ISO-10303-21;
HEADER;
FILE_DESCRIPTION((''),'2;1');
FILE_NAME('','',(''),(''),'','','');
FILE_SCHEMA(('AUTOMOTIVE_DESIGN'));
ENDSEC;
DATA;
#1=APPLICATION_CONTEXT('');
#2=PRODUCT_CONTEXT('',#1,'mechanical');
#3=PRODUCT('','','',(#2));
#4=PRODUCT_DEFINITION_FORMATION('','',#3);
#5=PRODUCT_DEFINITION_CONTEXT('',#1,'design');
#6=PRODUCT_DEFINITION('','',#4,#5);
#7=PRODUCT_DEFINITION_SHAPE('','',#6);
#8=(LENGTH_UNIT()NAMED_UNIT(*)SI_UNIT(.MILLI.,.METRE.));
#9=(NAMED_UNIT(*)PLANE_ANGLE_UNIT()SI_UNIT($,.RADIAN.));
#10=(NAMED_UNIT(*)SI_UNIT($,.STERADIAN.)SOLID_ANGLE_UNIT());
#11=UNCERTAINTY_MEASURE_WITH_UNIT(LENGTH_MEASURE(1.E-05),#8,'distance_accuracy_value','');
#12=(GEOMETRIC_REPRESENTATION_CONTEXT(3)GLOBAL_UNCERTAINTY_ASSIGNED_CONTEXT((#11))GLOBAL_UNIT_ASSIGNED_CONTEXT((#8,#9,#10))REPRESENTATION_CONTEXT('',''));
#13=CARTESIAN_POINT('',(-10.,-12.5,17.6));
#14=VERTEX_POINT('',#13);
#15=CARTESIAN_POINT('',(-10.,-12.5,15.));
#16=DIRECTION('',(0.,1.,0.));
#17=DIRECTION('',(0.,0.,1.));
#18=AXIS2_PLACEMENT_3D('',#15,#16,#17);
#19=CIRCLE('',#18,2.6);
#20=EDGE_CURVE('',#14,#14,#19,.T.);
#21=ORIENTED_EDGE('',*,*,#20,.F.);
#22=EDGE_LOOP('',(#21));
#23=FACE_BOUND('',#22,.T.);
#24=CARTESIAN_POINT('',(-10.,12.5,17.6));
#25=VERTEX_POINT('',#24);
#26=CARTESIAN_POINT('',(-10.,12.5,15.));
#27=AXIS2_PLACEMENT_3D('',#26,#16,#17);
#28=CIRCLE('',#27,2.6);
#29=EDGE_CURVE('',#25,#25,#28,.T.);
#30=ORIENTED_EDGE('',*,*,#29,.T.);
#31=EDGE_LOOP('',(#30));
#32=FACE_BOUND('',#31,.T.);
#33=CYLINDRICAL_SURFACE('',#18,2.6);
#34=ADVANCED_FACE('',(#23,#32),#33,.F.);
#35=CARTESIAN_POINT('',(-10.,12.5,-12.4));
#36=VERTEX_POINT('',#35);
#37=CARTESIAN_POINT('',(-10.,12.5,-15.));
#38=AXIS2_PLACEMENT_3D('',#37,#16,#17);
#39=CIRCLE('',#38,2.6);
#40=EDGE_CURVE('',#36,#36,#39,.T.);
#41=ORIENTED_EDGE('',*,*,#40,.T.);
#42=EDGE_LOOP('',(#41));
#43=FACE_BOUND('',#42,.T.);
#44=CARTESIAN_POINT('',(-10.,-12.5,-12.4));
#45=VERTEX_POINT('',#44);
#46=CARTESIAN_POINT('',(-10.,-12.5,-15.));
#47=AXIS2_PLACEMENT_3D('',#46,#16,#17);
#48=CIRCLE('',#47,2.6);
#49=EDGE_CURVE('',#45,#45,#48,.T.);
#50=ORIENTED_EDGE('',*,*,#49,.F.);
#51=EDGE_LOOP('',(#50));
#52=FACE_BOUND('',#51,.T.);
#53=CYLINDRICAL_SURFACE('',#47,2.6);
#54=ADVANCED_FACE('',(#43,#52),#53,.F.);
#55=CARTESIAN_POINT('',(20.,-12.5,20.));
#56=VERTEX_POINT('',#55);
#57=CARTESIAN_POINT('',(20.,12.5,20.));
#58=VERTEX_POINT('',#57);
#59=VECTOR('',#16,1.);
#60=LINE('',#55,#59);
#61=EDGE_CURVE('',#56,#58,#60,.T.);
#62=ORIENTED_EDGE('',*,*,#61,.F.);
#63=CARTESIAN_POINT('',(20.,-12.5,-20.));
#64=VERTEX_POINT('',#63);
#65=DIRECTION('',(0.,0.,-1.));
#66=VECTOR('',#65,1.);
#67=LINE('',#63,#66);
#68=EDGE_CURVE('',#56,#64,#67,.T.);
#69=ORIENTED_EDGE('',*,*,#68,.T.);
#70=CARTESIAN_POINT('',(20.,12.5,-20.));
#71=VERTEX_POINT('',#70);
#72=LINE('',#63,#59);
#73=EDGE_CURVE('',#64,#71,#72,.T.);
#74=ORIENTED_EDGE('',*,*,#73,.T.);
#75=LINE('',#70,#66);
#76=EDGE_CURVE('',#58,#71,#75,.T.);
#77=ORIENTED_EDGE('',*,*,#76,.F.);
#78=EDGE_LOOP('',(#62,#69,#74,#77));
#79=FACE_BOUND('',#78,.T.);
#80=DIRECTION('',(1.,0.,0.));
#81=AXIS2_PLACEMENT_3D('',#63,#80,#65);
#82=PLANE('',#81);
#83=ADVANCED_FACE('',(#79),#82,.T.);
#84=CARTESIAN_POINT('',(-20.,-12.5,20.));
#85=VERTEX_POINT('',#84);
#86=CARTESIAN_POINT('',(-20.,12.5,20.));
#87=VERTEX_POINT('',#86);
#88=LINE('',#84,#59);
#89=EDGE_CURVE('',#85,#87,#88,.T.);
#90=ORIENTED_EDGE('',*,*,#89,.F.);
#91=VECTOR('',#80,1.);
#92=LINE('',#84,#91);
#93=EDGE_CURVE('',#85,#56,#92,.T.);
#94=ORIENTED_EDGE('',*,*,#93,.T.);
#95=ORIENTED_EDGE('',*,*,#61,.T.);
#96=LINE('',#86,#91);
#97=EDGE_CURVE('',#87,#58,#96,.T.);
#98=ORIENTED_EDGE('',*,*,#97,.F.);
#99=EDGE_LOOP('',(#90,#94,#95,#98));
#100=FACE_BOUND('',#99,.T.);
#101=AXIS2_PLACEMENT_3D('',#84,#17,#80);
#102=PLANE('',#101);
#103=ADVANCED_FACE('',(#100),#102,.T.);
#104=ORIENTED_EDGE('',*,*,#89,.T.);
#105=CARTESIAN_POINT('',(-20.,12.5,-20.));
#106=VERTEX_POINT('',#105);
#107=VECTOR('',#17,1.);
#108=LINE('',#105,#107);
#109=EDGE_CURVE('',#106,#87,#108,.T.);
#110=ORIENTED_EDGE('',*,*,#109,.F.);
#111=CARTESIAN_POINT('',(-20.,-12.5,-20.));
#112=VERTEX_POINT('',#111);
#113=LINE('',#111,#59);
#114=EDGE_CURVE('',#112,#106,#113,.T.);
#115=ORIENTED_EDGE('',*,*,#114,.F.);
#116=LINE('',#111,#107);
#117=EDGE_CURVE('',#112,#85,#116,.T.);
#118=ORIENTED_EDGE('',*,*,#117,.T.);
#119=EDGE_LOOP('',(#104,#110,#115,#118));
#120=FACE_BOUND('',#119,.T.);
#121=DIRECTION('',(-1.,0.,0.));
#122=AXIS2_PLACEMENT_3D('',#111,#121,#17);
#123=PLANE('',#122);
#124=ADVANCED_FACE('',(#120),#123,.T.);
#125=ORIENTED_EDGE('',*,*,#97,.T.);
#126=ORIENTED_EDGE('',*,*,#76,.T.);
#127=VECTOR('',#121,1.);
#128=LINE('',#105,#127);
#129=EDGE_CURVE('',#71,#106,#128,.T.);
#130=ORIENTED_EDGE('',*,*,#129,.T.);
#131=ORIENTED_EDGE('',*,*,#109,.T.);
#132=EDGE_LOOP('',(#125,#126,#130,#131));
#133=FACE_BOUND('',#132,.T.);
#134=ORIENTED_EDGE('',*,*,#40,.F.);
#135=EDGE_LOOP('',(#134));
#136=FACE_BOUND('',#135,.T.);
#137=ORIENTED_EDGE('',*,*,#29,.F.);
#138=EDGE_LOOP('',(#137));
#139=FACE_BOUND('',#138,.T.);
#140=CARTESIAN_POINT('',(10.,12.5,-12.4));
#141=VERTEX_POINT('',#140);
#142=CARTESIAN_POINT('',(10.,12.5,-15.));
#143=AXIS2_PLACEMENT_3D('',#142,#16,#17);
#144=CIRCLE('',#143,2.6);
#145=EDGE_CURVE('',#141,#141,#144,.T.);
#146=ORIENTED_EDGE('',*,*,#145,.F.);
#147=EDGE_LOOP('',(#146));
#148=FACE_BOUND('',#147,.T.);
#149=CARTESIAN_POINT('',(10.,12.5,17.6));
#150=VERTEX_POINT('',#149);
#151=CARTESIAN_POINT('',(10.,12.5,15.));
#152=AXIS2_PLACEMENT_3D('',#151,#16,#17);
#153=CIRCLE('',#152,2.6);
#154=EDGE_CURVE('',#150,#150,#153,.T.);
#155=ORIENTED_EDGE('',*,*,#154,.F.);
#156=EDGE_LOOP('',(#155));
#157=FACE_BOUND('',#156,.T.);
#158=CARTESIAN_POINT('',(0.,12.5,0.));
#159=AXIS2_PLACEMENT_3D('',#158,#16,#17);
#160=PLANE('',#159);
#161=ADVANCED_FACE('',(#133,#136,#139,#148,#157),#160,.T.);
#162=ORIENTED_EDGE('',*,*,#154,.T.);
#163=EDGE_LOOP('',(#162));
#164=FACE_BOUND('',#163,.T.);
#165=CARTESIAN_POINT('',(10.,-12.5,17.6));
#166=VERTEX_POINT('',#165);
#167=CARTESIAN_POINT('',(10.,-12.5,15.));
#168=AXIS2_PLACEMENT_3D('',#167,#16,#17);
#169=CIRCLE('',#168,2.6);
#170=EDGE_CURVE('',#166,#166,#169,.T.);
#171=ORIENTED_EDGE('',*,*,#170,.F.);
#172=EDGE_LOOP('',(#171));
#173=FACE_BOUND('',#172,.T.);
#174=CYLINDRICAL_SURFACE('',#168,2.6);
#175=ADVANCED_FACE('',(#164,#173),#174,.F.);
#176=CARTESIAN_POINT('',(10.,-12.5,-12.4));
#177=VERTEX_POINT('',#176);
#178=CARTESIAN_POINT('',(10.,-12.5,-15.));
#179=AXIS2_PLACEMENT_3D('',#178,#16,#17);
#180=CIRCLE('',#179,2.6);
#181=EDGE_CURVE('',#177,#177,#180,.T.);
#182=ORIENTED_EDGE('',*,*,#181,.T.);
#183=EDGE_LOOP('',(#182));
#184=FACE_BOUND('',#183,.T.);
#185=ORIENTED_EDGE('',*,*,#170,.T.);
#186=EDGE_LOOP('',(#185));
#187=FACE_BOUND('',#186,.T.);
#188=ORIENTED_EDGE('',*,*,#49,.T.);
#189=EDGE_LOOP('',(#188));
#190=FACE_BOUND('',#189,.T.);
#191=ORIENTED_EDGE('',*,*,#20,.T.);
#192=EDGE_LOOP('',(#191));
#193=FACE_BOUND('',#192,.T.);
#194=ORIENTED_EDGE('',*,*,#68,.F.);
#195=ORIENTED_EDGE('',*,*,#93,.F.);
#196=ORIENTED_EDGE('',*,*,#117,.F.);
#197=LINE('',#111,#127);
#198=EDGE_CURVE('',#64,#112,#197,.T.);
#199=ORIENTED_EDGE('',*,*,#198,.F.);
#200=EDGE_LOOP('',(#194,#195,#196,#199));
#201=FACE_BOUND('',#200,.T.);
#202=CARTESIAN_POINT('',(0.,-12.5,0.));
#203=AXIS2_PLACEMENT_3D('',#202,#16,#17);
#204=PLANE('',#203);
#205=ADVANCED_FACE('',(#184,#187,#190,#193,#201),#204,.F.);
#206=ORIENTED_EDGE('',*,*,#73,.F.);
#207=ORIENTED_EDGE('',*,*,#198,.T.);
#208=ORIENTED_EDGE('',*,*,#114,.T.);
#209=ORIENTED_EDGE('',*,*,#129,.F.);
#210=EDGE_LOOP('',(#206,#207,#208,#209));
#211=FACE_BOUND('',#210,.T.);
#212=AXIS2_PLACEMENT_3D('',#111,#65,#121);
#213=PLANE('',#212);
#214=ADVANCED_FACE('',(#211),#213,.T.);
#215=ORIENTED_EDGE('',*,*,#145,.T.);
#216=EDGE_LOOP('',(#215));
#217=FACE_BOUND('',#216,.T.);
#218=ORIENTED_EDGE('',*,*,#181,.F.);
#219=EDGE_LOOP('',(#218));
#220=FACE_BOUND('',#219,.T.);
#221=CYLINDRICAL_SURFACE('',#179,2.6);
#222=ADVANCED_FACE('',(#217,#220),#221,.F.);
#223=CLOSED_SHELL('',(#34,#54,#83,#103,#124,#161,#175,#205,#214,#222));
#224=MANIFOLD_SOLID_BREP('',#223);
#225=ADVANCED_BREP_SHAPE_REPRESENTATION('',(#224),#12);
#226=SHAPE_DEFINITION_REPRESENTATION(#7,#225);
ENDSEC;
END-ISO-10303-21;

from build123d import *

# Parameters (mm, degrees)
EXTRUDE_1_DEPTH      = 12.5
EXTRUDE_1_DEPTH_BACK = 12.5
SKETCH_1_W           = 40
SKETCH_1_H           = 40
SKETCH_2_R           = 2.6
CUT_EXTRUDE_3_DEPTH  = 38.749172176


with BuildPart() as part:
    # 草图1 → 凸台-拉伸1 (new, two sides: drawn at the far end of the back side and taken through both)
    with BuildSketch(Plane(origin=(0, 0, 0), x_dir=(1, 0, 0), z_dir=(0, 1, 0)).offset(-EXTRUDE_1_DEPTH_BACK)):
        Rectangle(SKETCH_1_W, SKETCH_1_H)
    extrude(amount=EXTRUDE_1_DEPTH + EXTRUDE_1_DEPTH_BACK)

    # 草图2 → 切除-拉伸3 (cut, through all)
    with BuildSketch(Plane(origin=(0, 12.5, 0), x_dir=(1, 0, 0), z_dir=(0, 1, 0))):
        with Locations((-10, 15)):
            Circle(SKETCH_2_R)
        with Locations((10, 15)):
            Circle(SKETCH_2_R)
        with Locations((-10, -15)):
            Circle(SKETCH_2_R)
        with Locations((10, -15)):
            Circle(SKETCH_2_R)
    extrude(amount=-CUT_EXTRUDE_3_DEPTH, mode=Mode.SUBTRACT)


solid = part.part
